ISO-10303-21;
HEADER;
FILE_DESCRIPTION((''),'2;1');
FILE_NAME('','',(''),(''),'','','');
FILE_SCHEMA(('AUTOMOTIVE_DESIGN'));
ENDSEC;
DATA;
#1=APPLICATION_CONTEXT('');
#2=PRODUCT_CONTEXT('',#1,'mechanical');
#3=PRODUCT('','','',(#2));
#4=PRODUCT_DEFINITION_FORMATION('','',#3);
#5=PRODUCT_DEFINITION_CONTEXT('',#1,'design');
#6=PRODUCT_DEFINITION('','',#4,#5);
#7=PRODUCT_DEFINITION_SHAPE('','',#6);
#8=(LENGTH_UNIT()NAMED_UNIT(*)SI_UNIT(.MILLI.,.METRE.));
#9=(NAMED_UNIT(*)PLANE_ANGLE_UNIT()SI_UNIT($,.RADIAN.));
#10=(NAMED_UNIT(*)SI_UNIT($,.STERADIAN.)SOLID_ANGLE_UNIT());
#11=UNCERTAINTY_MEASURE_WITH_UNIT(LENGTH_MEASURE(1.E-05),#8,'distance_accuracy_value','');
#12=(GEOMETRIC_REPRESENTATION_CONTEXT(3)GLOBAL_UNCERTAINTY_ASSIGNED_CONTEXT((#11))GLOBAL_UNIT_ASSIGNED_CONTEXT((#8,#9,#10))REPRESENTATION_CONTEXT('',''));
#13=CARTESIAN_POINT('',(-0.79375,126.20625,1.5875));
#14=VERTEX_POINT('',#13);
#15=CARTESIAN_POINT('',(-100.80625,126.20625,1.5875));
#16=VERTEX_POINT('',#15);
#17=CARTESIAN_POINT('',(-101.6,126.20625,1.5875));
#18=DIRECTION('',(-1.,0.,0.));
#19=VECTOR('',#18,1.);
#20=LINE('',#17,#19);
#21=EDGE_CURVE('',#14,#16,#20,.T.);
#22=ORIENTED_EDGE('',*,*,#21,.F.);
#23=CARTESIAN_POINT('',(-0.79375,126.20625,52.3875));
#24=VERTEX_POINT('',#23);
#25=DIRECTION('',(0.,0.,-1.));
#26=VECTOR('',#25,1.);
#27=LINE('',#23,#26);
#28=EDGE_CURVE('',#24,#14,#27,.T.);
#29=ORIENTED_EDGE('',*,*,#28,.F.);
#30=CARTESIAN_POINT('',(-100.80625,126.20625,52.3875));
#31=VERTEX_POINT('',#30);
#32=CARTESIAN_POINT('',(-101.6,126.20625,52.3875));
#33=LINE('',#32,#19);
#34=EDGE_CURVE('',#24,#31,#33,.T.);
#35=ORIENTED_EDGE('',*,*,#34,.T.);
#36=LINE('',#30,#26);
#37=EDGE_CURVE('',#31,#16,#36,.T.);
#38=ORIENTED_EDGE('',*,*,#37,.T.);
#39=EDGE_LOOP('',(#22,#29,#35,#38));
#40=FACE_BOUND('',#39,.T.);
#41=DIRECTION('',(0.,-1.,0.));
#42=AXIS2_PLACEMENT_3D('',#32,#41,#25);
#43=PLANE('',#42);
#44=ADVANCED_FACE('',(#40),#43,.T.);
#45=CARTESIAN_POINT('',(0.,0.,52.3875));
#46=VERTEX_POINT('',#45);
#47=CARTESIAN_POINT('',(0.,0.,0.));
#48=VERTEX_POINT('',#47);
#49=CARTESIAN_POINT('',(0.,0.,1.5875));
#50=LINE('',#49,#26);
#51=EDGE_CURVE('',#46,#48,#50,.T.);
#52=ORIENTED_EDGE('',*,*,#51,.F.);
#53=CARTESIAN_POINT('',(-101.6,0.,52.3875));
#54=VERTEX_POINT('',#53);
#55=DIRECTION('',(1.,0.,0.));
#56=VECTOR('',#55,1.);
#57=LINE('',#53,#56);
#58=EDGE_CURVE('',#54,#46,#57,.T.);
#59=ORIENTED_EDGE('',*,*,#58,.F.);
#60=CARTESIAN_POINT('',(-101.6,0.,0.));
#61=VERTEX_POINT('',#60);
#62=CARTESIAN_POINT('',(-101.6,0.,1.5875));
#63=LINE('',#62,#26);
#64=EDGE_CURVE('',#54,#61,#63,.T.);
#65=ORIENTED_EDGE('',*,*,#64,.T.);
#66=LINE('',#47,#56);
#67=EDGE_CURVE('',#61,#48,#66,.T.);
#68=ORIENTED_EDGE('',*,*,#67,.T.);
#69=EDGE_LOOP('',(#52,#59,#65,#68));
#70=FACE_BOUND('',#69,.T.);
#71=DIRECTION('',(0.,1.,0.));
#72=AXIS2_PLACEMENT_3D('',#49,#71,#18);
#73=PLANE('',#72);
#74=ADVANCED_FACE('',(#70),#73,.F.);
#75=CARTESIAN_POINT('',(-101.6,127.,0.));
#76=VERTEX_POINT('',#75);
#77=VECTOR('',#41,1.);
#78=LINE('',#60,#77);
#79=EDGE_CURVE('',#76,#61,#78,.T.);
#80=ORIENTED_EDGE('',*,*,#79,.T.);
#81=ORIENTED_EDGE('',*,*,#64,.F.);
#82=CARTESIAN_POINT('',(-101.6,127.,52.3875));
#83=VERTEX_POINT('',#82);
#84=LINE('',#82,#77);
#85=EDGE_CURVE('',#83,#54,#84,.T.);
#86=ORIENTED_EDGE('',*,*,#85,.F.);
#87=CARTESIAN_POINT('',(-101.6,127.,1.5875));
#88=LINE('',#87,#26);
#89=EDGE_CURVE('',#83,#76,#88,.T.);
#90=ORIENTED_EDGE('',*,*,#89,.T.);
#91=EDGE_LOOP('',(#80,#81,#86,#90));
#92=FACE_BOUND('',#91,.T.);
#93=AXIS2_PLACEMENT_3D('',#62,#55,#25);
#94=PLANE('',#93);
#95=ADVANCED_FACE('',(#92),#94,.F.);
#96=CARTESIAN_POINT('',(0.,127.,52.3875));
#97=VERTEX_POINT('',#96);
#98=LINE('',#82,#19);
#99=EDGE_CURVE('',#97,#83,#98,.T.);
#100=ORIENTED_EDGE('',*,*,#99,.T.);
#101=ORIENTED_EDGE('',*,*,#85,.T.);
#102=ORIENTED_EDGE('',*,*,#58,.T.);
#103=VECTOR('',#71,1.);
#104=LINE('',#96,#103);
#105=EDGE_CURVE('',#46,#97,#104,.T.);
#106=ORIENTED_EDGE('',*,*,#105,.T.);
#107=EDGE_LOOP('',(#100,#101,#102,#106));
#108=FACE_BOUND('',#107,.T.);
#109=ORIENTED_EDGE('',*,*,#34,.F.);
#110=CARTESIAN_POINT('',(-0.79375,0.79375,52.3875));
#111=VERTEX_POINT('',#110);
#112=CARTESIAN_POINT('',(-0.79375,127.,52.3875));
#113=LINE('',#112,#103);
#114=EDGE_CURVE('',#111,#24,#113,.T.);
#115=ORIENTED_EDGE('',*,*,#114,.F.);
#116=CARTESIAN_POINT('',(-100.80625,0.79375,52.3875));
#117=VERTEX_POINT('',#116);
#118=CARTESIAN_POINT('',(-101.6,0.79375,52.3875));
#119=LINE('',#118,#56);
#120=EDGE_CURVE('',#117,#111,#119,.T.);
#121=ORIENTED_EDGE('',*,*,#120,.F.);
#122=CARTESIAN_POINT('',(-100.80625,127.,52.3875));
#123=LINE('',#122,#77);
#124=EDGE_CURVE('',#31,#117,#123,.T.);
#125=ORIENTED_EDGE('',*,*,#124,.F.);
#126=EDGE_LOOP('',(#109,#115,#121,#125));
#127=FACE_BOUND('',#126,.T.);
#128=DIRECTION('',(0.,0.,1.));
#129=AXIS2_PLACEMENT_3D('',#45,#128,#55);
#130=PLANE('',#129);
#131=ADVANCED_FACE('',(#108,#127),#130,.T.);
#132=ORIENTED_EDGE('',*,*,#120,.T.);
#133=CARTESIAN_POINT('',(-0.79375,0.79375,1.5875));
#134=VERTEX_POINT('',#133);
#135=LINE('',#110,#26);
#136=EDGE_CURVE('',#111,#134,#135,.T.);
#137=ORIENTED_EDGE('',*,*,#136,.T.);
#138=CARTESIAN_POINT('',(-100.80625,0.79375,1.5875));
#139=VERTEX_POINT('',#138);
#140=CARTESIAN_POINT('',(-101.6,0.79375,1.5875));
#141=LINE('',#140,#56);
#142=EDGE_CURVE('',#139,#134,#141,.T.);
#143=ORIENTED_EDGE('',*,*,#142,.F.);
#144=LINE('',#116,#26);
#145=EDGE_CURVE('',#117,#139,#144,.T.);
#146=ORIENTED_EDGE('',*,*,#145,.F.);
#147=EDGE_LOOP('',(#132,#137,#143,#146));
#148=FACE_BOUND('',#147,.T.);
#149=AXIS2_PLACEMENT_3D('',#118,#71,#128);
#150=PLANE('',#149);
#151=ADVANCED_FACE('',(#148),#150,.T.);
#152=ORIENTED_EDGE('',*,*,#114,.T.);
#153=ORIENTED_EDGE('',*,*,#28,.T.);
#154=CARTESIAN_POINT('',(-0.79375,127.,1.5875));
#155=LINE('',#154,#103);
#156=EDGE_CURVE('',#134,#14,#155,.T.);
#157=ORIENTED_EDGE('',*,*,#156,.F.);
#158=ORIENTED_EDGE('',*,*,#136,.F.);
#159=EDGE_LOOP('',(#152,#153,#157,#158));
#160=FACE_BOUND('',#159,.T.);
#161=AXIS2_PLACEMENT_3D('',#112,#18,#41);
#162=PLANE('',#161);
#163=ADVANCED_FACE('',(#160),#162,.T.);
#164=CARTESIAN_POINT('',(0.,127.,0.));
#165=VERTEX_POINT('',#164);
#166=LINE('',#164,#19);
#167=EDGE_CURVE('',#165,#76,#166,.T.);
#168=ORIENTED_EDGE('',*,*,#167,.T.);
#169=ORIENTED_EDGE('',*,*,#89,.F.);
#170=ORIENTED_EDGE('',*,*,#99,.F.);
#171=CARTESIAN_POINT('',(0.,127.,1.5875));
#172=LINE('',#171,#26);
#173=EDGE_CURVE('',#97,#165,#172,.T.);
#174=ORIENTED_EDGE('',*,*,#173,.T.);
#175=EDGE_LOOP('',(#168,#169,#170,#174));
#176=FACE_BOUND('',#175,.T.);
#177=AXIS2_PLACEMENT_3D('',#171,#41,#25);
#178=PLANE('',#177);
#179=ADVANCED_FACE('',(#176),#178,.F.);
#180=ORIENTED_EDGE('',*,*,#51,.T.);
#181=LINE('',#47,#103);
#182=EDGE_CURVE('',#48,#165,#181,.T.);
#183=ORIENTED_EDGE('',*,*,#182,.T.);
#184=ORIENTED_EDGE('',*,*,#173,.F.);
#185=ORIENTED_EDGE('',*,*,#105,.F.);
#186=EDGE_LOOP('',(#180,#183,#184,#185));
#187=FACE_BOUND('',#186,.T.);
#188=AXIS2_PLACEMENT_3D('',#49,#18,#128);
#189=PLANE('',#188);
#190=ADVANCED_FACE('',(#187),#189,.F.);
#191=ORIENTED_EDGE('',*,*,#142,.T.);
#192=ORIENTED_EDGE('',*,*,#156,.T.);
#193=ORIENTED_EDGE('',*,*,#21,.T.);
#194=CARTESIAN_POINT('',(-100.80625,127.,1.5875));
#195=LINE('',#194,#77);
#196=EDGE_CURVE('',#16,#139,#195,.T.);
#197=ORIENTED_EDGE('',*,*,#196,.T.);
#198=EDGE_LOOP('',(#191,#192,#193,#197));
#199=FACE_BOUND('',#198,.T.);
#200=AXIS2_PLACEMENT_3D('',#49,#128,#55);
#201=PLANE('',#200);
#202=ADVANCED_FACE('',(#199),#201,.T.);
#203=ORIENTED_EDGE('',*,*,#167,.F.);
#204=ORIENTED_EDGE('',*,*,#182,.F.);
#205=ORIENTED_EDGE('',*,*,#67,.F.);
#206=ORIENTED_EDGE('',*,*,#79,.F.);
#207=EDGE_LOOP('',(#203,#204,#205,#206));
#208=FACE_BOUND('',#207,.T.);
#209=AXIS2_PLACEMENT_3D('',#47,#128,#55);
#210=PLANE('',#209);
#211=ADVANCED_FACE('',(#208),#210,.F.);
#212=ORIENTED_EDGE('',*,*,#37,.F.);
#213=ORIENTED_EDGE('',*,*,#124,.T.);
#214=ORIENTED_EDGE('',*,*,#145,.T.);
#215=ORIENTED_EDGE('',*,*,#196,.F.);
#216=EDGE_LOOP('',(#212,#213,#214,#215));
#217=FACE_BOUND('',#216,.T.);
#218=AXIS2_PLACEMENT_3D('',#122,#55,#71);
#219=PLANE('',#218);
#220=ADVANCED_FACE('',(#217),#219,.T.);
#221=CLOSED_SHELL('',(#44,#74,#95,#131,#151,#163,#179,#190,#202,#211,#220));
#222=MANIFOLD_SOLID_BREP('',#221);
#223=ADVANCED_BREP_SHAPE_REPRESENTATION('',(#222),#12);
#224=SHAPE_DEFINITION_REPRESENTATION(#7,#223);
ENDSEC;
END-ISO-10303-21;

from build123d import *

# Parameters (mm, degrees)
SKETCH1_W           = 101.6
SKETCH1_H           = 127
BOSS_EXTRUDE1_DEPTH = 1.5875
SKETCH2_W           = 101.6
SKETCH2_H           = 127
SKETCH2_W_2         = 100.0125
SKETCH2_H_2         = 125.4125
EXTRUDE_THIN1_DEPTH = 50.8


with BuildPart() as part:
    # Sketch1 → Boss-Extrude1 (new body)
    with BuildSketch(Plane.XY):
        with Locations((-50.8, 63.5)):
            Rectangle(SKETCH1_W, SKETCH1_H)
    extrude(amount=BOSS_EXTRUDE1_DEPTH)

    # Sketch2 → Extrude-Thin1 (add)
    with BuildSketch(Plane.XY.offset(1.5875)):
        with Locations((-50.8, 63.5)):
            Rectangle(SKETCH2_W, SKETCH2_H)
        with Locations((-50.8, 63.5)):
            Rectangle(SKETCH2_W_2, SKETCH2_H_2, mode=Mode.SUBTRACT)
    extrude(amount=EXTRUDE_THIN1_DEPTH)


solid = part.part
